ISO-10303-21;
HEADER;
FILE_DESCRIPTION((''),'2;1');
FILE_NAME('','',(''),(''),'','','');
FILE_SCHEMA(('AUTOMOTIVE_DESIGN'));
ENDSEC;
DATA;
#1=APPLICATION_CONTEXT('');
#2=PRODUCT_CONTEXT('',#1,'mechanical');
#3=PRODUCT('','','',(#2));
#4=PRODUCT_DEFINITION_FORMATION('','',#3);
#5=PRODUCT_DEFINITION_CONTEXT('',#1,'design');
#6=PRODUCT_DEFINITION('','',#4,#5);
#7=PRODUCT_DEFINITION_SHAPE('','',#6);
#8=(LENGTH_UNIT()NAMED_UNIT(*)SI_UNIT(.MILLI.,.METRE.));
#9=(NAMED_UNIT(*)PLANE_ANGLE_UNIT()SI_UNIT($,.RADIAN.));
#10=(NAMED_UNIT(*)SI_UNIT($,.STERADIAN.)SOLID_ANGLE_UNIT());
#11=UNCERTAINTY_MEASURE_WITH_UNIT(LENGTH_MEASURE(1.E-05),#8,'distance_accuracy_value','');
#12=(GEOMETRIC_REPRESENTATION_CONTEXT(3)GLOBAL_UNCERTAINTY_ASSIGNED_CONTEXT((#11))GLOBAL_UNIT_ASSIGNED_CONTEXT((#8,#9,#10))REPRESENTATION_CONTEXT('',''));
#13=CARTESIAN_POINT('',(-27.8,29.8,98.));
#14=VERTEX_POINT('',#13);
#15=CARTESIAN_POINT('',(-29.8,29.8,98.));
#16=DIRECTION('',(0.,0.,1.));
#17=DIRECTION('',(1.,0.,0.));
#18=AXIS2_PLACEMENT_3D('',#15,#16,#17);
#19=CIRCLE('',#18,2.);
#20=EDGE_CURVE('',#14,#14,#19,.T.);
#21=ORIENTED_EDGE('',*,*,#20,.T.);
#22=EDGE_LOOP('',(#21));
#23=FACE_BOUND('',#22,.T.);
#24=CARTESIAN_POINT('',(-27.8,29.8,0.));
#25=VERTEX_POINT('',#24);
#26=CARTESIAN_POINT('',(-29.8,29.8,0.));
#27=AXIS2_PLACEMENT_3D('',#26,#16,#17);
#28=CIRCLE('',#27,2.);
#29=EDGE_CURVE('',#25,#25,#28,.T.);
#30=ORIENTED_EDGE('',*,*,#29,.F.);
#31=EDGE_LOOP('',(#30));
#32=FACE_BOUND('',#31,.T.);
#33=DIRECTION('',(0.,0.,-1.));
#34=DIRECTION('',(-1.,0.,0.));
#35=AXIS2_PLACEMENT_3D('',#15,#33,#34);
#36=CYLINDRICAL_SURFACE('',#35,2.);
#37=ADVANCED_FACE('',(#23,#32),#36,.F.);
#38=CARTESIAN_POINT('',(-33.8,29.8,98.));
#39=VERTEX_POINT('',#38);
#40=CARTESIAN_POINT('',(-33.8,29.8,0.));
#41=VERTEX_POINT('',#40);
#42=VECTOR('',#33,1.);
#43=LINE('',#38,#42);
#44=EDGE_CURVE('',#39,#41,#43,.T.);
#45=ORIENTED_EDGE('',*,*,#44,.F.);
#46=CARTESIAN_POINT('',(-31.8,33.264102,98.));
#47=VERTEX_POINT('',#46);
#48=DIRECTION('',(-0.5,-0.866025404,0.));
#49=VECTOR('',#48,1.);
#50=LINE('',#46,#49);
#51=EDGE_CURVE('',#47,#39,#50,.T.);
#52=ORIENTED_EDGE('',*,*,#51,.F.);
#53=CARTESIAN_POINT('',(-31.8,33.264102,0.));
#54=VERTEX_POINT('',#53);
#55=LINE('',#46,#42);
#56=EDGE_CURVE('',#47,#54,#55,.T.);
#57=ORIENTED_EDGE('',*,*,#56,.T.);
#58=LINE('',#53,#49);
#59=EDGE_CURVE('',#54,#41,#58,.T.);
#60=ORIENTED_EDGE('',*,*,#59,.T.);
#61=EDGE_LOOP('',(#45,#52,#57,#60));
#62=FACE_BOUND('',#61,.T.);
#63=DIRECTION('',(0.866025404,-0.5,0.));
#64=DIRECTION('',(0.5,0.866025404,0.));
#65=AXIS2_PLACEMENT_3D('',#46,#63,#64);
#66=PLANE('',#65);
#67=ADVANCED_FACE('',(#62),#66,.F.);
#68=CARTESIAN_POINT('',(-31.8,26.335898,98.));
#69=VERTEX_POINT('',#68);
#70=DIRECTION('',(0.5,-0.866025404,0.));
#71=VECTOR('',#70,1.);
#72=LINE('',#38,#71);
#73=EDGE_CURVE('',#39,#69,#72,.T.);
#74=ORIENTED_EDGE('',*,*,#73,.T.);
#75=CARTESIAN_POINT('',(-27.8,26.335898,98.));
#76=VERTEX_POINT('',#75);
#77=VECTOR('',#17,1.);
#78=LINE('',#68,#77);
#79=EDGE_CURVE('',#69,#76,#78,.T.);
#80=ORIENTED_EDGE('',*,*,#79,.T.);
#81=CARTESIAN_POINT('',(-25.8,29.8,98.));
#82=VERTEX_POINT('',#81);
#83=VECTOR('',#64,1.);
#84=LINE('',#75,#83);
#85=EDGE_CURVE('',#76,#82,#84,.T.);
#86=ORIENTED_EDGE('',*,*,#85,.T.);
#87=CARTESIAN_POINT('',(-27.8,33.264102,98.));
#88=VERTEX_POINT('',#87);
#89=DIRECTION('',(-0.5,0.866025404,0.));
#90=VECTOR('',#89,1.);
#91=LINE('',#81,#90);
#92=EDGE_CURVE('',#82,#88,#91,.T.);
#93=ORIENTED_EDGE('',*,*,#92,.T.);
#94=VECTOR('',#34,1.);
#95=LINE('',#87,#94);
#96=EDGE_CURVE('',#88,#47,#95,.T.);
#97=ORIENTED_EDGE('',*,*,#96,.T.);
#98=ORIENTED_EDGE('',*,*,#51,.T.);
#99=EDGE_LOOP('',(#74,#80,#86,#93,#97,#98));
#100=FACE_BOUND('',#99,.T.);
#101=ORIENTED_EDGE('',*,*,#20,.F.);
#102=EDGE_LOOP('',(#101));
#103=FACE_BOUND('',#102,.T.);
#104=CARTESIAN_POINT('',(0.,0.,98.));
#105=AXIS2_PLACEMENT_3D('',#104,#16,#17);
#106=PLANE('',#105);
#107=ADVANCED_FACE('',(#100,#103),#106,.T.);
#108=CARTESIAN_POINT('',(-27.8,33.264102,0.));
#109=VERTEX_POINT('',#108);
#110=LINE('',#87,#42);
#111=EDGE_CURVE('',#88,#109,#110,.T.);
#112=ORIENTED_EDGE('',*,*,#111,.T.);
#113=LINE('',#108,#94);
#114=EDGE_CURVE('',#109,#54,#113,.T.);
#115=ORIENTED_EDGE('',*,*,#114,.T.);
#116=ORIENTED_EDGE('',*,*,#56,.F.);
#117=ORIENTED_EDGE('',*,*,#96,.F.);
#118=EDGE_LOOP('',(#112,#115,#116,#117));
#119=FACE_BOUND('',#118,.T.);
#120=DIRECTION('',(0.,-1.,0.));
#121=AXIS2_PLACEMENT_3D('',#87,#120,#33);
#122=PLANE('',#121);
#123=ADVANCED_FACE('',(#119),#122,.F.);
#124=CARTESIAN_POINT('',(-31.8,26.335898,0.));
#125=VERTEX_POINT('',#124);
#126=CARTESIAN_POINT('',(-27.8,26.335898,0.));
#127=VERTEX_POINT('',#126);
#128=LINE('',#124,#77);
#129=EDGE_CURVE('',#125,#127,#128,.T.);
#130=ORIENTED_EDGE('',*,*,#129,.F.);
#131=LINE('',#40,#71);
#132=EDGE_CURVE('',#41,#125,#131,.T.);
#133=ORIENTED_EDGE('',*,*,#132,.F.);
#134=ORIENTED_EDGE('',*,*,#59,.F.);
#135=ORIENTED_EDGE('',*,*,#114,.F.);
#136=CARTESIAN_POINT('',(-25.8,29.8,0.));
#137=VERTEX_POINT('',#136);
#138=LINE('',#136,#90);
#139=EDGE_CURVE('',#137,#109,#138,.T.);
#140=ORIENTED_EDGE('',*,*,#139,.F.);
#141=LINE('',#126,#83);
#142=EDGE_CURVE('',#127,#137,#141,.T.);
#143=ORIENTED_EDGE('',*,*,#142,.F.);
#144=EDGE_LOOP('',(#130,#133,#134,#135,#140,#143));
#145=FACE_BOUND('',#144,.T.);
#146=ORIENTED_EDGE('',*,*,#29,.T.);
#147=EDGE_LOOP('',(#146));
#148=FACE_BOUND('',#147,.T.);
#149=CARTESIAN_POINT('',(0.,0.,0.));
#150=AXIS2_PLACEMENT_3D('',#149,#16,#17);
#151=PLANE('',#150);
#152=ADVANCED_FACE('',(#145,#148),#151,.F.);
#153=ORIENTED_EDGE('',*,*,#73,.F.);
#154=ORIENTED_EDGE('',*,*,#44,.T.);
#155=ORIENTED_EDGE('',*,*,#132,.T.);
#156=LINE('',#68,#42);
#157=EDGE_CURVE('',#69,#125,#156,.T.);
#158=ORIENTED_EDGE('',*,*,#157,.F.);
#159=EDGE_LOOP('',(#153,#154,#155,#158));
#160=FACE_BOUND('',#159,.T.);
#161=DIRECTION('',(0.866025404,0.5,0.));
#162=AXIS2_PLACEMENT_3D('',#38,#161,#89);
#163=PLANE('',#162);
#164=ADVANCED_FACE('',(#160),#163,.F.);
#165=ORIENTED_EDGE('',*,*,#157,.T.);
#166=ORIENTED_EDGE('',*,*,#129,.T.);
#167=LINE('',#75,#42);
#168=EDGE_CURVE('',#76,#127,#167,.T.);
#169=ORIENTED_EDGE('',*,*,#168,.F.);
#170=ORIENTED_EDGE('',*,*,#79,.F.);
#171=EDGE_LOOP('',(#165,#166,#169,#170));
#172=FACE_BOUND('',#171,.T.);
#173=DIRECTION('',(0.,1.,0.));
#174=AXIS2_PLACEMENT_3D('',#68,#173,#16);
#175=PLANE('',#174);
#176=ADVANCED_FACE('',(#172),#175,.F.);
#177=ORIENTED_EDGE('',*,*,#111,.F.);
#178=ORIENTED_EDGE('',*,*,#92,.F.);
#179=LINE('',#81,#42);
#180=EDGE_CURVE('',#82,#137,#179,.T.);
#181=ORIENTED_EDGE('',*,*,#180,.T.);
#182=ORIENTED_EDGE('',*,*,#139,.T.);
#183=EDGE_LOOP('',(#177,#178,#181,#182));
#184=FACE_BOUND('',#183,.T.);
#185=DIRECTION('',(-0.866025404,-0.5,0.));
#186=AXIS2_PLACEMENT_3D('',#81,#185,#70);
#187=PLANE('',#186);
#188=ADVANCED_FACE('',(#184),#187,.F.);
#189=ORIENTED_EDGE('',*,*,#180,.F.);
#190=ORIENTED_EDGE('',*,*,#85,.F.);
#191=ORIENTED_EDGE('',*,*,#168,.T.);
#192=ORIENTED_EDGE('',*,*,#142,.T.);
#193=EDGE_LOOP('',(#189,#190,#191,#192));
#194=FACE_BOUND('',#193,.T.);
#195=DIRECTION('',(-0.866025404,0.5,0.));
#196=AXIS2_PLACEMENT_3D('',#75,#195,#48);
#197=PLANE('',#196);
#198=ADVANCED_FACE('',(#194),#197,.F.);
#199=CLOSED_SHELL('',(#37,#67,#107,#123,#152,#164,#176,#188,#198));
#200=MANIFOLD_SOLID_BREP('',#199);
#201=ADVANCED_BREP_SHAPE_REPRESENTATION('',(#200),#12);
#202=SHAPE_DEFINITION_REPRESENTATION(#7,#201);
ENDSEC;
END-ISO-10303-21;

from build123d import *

# Parameters (mm, degrees)
SKETCH_1_R      = 2
EXTRUDE_1_DEPTH = 98


with BuildPart() as part:
    # 草图1 → 凸台-拉伸1 (new body)
    with BuildSketch(Plane.XY):
        Polygon((-25.8, 29.8), (-27.8, 33.264101615), (-31.8, 33.264101615), (-33.8, 29.8), (-31.8, 26.335898385), (-27.8, 26.335898385), align=None)
        with Locations((-29.8, 29.8)):
            Circle(SKETCH_1_R, mode=Mode.SUBTRACT)
    extrude(amount=EXTRUDE_1_DEPTH)


solid = part.part
